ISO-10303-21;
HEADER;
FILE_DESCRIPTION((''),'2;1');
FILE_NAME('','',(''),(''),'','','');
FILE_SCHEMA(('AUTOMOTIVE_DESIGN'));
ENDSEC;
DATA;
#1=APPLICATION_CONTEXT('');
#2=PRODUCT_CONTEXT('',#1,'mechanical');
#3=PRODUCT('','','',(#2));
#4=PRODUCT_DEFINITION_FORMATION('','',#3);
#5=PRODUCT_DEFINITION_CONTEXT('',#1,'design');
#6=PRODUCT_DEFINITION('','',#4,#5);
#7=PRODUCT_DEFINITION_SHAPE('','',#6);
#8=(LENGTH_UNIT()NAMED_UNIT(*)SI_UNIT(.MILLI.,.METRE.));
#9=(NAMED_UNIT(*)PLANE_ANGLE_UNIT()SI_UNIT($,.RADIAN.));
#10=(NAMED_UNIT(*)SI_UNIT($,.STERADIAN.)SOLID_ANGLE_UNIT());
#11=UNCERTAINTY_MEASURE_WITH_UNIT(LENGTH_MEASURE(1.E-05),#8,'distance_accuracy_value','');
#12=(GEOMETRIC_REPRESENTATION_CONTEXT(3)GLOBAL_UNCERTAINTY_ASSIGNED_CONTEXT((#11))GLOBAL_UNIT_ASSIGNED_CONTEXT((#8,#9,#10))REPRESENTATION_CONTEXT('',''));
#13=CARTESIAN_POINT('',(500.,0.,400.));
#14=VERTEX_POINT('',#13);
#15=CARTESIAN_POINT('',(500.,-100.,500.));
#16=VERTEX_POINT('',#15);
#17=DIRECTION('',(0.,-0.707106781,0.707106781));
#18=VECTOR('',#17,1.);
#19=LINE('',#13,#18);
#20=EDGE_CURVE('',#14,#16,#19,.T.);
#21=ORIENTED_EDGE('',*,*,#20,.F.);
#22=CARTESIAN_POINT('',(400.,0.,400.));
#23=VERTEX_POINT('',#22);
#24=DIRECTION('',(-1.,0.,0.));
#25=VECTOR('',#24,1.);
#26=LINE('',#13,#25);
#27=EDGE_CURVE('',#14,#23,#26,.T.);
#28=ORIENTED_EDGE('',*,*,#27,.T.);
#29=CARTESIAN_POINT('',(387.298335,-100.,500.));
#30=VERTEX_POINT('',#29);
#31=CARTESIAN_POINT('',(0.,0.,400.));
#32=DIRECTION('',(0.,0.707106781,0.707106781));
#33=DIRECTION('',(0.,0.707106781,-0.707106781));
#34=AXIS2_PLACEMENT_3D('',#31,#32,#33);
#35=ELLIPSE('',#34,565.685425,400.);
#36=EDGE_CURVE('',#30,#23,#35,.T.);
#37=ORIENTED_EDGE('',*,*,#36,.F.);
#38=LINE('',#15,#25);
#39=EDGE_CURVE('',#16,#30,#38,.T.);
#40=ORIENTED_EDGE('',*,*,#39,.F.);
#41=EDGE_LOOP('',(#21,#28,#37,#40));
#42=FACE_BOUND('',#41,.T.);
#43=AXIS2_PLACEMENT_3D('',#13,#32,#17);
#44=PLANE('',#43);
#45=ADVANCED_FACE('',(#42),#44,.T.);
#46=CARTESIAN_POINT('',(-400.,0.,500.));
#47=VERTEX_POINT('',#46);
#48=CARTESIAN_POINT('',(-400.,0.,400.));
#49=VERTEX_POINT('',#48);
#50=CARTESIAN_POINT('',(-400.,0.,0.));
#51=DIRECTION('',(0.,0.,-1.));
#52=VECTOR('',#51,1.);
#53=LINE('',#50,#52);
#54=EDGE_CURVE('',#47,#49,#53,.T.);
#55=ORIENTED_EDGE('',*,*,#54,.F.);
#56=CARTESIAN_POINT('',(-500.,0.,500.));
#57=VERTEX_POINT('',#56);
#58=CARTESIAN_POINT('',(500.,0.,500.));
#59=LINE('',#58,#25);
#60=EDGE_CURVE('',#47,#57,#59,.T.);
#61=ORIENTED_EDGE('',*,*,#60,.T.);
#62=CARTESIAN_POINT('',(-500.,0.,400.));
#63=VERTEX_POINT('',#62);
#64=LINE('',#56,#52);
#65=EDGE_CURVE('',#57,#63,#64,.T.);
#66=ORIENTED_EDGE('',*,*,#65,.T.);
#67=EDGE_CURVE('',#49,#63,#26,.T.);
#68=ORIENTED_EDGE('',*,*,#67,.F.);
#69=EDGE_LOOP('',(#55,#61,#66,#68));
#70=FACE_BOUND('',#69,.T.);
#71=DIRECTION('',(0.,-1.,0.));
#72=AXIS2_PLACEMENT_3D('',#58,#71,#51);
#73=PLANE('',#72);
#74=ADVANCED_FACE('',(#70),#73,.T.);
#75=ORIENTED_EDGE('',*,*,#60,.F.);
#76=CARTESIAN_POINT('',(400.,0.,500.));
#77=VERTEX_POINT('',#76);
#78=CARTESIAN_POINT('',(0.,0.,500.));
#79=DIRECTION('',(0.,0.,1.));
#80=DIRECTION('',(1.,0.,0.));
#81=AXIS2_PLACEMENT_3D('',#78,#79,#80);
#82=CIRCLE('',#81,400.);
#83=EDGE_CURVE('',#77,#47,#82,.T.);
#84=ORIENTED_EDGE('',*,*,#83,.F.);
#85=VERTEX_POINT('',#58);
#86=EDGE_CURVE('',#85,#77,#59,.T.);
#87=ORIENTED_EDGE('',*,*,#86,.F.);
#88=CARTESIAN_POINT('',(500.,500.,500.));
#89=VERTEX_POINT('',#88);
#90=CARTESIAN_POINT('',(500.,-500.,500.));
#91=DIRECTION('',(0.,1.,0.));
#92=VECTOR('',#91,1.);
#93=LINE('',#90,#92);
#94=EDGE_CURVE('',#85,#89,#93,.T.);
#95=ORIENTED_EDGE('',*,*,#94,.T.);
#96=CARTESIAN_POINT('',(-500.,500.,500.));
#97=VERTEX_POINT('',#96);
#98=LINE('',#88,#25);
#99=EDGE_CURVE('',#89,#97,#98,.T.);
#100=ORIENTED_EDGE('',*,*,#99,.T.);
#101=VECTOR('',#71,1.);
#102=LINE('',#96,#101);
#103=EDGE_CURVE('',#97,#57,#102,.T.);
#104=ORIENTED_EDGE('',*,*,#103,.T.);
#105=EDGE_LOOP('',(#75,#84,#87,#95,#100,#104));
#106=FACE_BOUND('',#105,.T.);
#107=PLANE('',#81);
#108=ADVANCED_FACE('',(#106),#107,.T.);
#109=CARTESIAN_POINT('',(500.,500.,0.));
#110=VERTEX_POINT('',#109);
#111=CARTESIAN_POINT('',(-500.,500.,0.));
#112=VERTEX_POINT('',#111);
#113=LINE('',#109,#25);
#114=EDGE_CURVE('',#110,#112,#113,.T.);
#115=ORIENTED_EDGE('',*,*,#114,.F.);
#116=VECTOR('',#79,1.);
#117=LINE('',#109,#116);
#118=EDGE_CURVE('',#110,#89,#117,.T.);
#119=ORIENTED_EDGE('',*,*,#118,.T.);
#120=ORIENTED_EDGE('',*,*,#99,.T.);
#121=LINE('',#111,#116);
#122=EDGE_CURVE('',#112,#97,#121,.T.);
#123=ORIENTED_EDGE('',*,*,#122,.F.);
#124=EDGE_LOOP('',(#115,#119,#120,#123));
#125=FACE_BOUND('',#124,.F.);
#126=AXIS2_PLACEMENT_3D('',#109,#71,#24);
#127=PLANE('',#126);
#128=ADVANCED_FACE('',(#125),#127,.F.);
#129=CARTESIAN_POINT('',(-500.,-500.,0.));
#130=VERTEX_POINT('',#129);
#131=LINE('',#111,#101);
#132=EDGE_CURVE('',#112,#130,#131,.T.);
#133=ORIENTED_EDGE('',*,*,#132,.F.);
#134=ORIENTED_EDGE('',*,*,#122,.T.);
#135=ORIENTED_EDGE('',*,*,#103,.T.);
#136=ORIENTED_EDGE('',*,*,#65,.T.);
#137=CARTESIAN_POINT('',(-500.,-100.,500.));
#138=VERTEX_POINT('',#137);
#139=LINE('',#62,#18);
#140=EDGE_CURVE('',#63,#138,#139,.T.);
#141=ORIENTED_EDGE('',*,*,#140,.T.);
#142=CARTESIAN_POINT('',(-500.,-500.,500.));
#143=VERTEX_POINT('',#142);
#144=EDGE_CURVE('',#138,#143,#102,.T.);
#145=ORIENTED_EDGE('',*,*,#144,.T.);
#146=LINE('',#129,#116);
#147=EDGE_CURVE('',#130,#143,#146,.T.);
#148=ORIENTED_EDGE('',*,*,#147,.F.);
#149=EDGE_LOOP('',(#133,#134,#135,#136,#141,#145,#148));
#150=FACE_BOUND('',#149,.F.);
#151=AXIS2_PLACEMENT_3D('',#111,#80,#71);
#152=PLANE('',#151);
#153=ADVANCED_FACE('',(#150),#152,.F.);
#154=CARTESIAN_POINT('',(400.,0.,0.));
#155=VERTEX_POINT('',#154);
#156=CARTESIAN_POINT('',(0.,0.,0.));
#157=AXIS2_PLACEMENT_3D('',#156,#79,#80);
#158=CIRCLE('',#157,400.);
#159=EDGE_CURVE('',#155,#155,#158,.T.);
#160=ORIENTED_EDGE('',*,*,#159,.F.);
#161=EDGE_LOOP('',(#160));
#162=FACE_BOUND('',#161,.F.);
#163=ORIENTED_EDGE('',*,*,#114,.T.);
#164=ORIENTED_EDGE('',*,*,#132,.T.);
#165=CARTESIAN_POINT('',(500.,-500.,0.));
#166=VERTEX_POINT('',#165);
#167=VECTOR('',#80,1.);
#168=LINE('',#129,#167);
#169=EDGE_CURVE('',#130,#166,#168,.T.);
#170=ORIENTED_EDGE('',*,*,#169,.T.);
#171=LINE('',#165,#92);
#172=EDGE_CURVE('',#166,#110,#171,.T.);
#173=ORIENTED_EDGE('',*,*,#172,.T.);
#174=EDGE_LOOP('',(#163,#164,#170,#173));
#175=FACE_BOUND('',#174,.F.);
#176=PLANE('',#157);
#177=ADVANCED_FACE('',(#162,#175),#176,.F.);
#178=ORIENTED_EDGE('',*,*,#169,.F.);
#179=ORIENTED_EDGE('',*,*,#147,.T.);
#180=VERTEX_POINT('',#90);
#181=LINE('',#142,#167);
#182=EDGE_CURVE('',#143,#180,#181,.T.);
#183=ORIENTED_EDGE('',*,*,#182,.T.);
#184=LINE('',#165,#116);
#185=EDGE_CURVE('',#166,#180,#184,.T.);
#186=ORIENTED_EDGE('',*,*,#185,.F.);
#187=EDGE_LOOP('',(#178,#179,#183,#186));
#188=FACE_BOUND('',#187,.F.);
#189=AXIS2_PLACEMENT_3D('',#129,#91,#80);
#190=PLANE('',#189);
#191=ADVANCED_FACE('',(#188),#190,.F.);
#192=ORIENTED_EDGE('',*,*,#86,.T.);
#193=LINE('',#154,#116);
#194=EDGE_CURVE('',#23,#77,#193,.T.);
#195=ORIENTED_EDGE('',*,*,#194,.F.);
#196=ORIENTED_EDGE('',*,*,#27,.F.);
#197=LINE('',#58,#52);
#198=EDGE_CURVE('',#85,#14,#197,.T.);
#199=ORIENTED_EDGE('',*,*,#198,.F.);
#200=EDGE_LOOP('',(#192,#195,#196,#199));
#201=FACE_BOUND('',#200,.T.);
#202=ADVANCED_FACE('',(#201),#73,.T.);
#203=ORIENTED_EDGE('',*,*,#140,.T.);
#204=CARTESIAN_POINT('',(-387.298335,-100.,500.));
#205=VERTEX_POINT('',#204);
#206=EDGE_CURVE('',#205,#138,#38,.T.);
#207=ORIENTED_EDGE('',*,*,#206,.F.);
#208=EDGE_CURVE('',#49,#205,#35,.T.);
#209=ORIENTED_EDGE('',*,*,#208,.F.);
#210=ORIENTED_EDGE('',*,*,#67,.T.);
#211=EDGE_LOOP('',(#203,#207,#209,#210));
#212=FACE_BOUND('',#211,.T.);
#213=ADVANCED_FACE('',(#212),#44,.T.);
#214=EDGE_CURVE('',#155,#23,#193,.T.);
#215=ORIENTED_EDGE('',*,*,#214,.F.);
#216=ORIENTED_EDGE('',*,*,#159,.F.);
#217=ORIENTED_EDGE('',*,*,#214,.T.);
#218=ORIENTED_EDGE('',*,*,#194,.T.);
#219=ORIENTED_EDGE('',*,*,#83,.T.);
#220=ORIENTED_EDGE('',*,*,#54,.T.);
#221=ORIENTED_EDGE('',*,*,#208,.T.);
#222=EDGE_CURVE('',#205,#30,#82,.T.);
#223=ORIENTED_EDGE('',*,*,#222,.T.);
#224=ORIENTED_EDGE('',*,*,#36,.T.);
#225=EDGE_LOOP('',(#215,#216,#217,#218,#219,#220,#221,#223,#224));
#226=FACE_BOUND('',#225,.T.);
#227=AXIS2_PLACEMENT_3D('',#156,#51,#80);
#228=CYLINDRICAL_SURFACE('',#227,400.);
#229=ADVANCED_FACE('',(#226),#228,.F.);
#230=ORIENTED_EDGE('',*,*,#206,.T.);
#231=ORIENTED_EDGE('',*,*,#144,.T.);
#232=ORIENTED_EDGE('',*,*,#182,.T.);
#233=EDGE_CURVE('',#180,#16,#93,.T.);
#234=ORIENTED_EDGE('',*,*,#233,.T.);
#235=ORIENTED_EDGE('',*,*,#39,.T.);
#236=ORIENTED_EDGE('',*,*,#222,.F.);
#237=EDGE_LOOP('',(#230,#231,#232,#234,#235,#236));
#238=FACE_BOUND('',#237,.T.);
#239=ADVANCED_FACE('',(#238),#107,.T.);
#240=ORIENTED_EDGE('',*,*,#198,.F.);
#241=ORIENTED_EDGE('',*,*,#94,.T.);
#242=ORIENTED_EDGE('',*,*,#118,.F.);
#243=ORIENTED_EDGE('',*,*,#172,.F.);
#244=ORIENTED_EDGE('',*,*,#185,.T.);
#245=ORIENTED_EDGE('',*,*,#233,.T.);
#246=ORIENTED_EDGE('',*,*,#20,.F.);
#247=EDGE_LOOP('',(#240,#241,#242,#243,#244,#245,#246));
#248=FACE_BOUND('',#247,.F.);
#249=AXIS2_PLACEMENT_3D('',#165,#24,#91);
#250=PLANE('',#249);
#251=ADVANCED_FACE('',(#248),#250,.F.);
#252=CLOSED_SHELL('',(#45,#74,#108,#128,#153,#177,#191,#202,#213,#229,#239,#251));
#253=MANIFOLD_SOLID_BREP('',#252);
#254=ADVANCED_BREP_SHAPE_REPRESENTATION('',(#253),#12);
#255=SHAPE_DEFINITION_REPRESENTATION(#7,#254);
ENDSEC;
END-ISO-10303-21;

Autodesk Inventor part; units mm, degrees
ref_plane "YZ Plane" through (0, 0, 0) normal (1, 0, 0) x (0, 1, 0)
ref_plane "XZ Plane" through (0, 0, 0) normal (0, 1, 0) x (-1, 0, 0)
sketch "Náčrt1" plane through (0, 0, 0) normal (0, 0, 1) x (1, 0, 0)
  line L0 (-500, -500) -> (500, -500)
  line L1 (500, -500) -> (500, 500)
  line L2 (500, 500) -> (-500, 500)
  line L3 (-500, 500) -> (-500, -500)
  line L4 (-500, -500) -> (500, 500) construction
  line L5 (500, -500) -> (-500, 500) construction
  circle A0 centre (0, 0) radius 400
  dimension "d0" = 1000
  dimension "d1" = 1000
  dimension "d6" = 800
extrude "Vysunutí1" add sketch "Náčrt1" along normal blind 500
sketch "Náčrt2" plane through (500, -500, 0) normal (1, 0, 0) x (0, 0, -1)
  line L0 (-500, 0) -> (-500, 1000) projected
  line L1 (-500, 500) -> (-400, 500)
  line L2 (-400, 500) -> (-500, 400)
  point P0 (0, 500)
  dimension "d7" = 100
  dimension "d8" = 45
ref_plane "Pracovní rovina1" through (-500, -4173.9622, 0) normal (1, 0, 0) x (0, 1, 0)
extrude "Vysunutí2" cut sketch "Náčrt2" against normal up to surface (1000 mm away)
equation "\"d1\" = d0"
properties part number "B2-Y"
